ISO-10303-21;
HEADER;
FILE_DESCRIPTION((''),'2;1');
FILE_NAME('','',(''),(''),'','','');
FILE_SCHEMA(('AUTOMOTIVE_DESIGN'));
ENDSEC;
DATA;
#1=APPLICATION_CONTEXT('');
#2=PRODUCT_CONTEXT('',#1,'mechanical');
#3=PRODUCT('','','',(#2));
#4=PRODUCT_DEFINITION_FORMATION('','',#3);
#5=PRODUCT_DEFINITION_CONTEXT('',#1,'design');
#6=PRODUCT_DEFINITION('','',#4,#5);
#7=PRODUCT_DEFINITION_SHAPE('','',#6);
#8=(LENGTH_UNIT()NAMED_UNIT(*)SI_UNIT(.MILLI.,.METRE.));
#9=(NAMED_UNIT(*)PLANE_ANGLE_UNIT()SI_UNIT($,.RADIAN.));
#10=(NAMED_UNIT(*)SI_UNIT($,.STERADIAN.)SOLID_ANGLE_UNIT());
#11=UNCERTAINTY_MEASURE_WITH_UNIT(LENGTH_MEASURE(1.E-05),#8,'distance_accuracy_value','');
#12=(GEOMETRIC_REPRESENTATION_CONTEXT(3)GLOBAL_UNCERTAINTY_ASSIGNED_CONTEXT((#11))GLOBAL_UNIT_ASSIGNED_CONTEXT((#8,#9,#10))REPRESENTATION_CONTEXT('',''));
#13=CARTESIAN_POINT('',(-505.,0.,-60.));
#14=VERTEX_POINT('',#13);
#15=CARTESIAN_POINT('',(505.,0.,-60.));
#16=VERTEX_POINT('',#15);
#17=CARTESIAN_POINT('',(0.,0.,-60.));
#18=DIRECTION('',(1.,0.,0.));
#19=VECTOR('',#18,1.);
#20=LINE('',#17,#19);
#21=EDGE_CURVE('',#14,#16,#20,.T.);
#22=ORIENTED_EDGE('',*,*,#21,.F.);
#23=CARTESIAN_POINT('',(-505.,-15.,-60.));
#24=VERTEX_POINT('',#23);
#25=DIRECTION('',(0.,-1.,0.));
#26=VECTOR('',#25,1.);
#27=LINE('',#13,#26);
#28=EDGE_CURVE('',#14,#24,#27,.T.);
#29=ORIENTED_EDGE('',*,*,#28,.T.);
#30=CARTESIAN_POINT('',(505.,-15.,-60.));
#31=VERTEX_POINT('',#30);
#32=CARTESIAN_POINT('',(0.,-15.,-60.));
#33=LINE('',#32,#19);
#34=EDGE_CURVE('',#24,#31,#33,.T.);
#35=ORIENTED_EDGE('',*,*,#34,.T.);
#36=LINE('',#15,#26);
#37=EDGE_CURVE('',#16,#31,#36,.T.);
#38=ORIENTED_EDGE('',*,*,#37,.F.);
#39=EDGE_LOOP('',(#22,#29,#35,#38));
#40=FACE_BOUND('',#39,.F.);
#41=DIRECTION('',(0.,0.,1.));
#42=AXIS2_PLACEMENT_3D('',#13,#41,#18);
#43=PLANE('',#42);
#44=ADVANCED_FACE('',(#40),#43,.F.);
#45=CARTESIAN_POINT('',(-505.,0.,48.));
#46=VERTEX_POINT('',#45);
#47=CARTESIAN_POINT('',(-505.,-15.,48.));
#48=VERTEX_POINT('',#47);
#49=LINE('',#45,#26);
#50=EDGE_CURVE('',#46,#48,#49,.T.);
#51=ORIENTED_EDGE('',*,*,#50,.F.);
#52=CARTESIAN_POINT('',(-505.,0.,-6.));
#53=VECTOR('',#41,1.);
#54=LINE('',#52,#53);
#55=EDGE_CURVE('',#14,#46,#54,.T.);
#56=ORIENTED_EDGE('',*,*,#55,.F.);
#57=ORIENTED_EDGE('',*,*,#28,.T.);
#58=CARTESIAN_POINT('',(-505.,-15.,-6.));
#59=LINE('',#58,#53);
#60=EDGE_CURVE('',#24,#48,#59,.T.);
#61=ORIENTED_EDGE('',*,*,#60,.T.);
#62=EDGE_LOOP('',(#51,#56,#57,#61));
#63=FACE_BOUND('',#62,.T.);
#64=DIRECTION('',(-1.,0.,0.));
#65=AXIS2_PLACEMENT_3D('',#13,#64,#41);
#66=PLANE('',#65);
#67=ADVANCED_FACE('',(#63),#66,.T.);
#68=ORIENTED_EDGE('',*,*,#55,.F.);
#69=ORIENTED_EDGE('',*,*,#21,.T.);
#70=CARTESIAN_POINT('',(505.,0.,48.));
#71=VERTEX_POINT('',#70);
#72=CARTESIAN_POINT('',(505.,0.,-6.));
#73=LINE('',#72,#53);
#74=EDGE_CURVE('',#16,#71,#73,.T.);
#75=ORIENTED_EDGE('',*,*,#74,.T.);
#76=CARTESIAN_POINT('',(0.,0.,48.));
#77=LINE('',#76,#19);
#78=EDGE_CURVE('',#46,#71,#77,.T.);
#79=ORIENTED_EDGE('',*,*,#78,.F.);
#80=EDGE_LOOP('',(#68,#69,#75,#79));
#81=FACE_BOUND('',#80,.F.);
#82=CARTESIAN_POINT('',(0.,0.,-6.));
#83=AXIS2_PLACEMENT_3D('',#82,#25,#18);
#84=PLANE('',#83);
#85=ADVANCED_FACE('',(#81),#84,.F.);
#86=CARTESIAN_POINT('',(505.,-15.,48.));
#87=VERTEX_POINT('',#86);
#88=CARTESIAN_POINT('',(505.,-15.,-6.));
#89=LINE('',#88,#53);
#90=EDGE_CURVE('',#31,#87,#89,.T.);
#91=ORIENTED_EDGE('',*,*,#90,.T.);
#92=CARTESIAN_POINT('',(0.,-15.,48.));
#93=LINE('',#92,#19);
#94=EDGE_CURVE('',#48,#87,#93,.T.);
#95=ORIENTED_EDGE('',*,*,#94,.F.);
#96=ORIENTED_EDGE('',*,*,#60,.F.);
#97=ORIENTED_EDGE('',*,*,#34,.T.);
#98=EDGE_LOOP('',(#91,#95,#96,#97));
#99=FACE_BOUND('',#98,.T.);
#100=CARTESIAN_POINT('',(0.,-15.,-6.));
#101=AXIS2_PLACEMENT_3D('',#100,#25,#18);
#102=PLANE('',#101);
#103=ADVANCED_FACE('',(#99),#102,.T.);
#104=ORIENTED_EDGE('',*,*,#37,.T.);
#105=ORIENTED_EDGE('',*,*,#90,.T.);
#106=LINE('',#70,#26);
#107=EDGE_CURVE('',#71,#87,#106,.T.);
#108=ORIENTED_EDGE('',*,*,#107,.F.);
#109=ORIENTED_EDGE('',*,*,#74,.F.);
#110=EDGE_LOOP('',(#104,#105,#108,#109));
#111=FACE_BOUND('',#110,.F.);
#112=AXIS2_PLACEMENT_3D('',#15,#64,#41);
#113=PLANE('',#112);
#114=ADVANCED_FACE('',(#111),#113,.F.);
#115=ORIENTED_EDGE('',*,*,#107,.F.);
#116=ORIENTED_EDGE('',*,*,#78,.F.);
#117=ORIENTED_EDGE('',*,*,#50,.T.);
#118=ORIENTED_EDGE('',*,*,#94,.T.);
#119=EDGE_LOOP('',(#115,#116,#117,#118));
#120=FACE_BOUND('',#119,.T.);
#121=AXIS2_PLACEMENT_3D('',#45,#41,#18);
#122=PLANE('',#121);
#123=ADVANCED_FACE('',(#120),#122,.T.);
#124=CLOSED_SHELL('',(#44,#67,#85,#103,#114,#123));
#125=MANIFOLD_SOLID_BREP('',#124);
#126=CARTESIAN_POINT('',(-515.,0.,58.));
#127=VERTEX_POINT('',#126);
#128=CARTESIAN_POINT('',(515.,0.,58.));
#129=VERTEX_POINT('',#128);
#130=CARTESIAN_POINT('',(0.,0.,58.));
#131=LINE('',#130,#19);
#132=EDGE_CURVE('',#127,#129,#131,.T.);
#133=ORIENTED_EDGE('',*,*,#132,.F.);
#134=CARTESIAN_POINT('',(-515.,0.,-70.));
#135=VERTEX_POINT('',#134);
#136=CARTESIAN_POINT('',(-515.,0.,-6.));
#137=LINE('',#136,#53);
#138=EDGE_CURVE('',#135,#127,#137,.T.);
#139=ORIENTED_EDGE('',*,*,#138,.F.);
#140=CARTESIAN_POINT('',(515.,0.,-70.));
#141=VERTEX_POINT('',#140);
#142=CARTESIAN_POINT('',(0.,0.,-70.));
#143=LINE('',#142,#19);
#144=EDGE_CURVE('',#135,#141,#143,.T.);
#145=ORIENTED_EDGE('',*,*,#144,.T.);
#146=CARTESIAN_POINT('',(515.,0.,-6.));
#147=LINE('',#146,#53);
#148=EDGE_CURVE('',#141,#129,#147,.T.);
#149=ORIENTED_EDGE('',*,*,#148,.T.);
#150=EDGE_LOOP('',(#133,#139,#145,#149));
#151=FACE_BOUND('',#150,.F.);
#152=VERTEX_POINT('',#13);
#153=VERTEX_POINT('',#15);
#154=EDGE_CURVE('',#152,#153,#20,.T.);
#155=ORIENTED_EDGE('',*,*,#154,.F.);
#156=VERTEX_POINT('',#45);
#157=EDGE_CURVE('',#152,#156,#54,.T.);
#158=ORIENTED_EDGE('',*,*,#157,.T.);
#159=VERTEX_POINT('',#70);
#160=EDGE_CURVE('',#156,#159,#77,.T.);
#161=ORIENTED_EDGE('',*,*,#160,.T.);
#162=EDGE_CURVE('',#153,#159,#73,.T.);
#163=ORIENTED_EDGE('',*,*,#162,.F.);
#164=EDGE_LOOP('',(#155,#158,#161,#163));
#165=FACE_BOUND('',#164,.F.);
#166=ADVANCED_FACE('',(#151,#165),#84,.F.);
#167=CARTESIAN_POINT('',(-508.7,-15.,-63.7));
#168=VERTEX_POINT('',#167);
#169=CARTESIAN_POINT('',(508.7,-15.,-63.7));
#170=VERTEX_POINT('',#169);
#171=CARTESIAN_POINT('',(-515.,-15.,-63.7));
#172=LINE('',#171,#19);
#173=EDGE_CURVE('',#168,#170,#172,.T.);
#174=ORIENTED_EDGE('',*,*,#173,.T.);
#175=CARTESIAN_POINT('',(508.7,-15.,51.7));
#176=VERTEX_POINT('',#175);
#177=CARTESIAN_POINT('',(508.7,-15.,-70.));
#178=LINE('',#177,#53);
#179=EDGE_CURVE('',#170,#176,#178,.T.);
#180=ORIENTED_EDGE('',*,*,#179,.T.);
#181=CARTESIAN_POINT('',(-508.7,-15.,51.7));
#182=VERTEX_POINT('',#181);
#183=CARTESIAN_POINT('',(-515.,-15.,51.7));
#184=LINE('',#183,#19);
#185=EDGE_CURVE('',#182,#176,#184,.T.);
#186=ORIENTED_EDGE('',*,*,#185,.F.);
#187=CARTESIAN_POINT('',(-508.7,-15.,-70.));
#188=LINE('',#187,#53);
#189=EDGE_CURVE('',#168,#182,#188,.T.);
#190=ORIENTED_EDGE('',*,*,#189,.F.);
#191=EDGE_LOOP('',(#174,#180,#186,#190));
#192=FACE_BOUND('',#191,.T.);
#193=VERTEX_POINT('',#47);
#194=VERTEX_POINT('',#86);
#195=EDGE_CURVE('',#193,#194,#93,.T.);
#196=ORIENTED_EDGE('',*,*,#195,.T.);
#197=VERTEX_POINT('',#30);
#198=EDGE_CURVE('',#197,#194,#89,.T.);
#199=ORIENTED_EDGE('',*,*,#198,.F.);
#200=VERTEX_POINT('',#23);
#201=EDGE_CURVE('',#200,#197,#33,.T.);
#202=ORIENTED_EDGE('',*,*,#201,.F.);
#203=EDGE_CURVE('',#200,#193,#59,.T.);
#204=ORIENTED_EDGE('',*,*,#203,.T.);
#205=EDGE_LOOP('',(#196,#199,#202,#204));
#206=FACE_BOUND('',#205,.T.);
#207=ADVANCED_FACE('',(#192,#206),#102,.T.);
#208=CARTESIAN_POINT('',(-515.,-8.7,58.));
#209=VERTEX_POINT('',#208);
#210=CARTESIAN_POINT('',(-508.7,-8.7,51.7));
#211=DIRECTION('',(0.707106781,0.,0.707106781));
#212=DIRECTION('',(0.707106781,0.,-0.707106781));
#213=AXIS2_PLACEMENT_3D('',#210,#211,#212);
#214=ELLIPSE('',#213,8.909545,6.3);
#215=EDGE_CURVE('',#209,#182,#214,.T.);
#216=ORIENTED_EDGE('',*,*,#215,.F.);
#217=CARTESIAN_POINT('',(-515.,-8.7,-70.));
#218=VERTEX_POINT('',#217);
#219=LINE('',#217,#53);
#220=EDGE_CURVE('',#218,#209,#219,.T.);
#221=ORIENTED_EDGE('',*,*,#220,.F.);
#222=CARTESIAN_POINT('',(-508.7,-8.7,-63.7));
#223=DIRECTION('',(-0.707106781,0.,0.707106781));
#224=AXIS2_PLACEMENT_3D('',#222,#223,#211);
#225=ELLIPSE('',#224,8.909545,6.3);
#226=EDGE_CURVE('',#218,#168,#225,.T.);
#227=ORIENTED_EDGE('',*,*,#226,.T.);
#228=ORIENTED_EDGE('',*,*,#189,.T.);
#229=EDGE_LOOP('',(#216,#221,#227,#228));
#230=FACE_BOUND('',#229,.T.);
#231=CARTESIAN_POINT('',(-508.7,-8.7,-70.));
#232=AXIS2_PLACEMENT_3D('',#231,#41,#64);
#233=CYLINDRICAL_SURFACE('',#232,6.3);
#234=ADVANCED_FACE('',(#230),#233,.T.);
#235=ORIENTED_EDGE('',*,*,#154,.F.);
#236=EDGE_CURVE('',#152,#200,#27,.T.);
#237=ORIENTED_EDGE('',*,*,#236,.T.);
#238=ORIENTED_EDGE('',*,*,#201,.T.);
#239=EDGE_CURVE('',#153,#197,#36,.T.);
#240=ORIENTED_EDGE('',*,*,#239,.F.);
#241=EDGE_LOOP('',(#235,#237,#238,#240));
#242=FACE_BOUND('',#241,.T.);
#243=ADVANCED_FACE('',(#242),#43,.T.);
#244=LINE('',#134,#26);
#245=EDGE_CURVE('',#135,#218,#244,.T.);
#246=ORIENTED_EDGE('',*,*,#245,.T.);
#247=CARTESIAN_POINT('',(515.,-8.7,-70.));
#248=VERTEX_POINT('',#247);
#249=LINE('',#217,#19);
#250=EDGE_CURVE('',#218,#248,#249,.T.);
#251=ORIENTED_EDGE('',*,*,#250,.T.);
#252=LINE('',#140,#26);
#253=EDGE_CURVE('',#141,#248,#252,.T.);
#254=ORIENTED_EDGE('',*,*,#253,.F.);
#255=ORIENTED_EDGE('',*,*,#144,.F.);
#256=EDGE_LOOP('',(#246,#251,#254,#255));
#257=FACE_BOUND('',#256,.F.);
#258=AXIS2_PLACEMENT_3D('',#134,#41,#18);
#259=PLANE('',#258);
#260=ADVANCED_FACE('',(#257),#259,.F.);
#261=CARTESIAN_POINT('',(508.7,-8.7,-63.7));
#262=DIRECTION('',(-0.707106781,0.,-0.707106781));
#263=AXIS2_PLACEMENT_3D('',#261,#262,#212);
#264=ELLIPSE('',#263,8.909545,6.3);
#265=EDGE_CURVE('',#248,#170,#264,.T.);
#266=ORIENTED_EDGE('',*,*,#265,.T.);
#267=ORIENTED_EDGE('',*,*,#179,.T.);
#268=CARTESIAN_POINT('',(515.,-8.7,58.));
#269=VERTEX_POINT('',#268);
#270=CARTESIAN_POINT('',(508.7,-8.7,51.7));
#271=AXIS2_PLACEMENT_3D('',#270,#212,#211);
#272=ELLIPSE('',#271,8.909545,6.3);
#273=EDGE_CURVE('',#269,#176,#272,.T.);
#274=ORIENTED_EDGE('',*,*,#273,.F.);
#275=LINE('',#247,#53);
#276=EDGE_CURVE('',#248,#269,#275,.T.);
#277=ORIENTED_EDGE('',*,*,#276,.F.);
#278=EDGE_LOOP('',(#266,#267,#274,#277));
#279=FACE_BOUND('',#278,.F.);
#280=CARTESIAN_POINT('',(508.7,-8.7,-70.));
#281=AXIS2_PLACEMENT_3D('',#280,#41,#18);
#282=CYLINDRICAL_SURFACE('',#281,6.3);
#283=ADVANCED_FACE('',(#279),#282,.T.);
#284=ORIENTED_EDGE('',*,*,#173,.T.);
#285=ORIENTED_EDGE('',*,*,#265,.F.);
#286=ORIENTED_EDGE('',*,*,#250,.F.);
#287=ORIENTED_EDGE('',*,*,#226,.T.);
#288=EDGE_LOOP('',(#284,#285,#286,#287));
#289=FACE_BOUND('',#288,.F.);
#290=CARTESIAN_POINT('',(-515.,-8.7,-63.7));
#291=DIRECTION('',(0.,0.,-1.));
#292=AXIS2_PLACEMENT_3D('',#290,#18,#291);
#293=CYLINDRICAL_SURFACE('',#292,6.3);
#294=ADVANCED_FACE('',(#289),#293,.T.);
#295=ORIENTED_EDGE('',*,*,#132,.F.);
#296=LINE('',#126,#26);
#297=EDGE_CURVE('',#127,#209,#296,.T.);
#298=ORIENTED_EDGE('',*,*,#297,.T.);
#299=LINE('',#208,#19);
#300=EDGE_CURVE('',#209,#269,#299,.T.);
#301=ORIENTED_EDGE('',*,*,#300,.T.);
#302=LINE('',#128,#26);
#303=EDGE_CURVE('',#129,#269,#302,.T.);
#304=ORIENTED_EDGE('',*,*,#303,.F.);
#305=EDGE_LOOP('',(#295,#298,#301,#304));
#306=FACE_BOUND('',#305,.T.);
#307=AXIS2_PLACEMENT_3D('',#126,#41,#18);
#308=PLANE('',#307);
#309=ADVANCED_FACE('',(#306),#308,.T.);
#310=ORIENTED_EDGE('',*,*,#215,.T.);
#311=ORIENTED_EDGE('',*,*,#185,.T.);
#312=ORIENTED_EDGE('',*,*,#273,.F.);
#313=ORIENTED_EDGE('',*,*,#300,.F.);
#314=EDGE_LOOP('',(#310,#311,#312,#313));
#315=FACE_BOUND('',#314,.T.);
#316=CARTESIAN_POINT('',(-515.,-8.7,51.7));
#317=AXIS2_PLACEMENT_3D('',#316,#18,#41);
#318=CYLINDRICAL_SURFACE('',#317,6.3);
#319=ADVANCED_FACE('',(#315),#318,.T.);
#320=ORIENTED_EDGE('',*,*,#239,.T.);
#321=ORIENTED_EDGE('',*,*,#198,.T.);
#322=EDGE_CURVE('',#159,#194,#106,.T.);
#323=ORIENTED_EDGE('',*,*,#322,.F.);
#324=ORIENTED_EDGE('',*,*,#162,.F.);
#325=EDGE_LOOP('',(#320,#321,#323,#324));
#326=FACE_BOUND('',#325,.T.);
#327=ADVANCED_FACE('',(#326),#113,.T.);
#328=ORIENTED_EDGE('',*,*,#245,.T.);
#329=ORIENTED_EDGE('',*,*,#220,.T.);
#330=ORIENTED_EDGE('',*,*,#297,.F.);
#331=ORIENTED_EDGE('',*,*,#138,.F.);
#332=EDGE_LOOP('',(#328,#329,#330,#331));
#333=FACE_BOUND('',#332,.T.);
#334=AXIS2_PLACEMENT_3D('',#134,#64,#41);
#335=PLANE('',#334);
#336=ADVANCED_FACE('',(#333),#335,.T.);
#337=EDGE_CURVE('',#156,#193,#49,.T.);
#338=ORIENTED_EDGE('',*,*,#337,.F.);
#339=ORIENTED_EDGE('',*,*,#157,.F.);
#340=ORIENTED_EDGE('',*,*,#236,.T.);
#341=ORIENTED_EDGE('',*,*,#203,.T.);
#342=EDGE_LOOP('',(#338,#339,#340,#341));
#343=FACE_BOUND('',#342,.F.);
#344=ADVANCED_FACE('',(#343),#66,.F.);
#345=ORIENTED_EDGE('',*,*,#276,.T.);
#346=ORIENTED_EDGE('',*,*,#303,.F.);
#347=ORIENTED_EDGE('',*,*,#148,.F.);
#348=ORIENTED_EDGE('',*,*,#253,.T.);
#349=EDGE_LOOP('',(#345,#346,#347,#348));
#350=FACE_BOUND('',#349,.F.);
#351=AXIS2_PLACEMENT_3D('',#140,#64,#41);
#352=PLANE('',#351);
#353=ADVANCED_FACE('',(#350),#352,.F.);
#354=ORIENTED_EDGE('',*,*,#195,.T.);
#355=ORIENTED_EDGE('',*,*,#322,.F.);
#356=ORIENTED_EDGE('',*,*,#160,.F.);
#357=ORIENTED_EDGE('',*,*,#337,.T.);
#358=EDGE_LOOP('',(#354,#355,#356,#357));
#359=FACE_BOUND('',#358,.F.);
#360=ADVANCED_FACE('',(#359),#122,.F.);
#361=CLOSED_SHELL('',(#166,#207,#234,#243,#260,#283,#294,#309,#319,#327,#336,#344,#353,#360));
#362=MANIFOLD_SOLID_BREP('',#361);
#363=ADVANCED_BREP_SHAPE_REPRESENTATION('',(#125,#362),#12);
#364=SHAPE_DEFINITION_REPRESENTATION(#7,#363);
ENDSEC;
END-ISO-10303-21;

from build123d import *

# Parameters (mm, degrees)
F0_W     = 1010
F0_H     = 108
F1_DEPTH = 15
F0_W_2   = 1030
F0_H_2   = 128
F2_DEPTH = 15
F3_R     = 6.3


with BuildPart() as f1:
    # F0 (on Front) → F1 (new body)
    with BuildSketch(Plane.XZ):
        with Locations((0, -6)):
            Rectangle(F0_W, F0_H)
    extrude(amount=F1_DEPTH)


with BuildPart() as f2:
    # F0 (on Front) → F2 (new body)
    with BuildSketch(Plane.XZ):
        with Locations((0, -6)):
            Rectangle(F0_W_2, F0_H_2)
        with Locations((0, -6)):
            Rectangle(F0_W, F0_H, mode=Mode.SUBTRACT)
    extrude(amount=F2_DEPTH)

    # F3
    f3_edges = [f2.edges().sort_by_distance(p)[0] for p in [
        (0, -15, 58),
        (-515, -15, -6),
        (0, -15, -70),
        (515, -15, -6),
    ]]
    fillet(f3_edges, radius=F3_R)


solid = Compound([f1.part, f2.part])
